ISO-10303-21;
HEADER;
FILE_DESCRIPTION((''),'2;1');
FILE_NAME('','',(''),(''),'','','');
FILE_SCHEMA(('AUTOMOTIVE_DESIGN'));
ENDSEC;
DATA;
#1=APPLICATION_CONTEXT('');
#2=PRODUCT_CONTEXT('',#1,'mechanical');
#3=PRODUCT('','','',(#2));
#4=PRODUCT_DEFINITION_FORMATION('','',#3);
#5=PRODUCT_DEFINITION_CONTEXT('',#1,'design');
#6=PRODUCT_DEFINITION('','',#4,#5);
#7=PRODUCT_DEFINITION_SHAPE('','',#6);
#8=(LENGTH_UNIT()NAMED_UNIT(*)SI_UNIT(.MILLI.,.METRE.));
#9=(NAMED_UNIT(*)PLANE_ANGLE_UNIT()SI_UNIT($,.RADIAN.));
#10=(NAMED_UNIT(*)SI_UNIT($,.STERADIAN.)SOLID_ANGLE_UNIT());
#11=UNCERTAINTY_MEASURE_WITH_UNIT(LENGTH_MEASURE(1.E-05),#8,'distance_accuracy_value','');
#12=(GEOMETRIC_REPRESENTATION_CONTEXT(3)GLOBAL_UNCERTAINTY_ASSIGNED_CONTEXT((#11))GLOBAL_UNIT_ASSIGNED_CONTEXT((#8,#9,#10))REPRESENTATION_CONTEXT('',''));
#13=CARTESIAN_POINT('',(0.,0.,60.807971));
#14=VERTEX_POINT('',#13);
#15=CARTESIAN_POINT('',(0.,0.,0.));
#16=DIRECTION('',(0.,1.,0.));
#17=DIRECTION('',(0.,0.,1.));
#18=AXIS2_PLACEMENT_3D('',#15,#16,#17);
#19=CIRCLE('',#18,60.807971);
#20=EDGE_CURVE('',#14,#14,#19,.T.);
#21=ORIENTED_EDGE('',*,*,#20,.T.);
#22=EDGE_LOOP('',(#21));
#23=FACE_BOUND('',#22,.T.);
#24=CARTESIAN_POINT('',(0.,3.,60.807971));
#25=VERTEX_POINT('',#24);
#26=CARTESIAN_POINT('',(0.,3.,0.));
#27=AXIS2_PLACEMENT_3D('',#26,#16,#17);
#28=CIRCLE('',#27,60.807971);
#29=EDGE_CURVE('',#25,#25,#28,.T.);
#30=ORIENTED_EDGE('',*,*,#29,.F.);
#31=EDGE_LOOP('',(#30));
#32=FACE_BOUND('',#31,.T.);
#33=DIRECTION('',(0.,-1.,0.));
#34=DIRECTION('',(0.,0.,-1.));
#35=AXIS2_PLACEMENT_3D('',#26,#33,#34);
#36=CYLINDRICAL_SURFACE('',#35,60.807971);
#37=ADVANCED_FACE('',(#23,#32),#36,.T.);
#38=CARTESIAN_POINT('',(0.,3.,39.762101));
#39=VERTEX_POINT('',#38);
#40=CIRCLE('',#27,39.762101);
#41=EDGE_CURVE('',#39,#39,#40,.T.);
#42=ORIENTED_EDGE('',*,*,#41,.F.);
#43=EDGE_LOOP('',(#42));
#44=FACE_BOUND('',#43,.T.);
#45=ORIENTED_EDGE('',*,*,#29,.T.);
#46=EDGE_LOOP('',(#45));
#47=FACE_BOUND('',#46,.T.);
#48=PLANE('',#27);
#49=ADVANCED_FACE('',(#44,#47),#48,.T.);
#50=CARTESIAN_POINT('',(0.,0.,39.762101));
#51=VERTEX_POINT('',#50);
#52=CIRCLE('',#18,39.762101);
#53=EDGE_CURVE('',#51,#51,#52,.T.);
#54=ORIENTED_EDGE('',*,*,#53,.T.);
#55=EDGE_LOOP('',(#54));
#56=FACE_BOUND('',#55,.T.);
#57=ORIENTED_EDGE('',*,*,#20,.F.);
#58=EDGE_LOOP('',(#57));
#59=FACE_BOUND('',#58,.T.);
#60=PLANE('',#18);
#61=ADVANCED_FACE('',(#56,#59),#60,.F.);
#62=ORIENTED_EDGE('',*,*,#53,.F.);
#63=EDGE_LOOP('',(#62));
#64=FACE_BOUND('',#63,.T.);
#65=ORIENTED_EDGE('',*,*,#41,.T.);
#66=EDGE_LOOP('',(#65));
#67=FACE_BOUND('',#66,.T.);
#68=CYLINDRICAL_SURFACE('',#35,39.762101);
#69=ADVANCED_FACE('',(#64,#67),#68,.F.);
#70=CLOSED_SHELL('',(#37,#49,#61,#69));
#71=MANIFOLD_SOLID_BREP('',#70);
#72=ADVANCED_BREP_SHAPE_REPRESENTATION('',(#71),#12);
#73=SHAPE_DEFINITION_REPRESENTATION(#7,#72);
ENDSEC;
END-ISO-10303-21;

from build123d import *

# Parameters (mm, degrees)
SKETCH1_R           = 60.807971184
SKETCH1_R_2         = 39.762100618
BOSS_EXTRUDE1_DEPTH = 3


with BuildPart() as part:
    # Sketch1 → Boss-Extrude1 (new body)
    with BuildSketch(Plane(origin=(0, 0, 0), x_dir=(1, 0, 0), z_dir=(0, 1, 0))):
        with Locations(Location((0, 0, 0), (0, 0, 270))):
            Circle(SKETCH1_R)
        with Locations(Location((0, 0, 0), (0, 0, 270))):
            Circle(SKETCH1_R_2, mode=Mode.SUBTRACT)
    extrude(amount=BOSS_EXTRUDE1_DEPTH)


solid = part.part
